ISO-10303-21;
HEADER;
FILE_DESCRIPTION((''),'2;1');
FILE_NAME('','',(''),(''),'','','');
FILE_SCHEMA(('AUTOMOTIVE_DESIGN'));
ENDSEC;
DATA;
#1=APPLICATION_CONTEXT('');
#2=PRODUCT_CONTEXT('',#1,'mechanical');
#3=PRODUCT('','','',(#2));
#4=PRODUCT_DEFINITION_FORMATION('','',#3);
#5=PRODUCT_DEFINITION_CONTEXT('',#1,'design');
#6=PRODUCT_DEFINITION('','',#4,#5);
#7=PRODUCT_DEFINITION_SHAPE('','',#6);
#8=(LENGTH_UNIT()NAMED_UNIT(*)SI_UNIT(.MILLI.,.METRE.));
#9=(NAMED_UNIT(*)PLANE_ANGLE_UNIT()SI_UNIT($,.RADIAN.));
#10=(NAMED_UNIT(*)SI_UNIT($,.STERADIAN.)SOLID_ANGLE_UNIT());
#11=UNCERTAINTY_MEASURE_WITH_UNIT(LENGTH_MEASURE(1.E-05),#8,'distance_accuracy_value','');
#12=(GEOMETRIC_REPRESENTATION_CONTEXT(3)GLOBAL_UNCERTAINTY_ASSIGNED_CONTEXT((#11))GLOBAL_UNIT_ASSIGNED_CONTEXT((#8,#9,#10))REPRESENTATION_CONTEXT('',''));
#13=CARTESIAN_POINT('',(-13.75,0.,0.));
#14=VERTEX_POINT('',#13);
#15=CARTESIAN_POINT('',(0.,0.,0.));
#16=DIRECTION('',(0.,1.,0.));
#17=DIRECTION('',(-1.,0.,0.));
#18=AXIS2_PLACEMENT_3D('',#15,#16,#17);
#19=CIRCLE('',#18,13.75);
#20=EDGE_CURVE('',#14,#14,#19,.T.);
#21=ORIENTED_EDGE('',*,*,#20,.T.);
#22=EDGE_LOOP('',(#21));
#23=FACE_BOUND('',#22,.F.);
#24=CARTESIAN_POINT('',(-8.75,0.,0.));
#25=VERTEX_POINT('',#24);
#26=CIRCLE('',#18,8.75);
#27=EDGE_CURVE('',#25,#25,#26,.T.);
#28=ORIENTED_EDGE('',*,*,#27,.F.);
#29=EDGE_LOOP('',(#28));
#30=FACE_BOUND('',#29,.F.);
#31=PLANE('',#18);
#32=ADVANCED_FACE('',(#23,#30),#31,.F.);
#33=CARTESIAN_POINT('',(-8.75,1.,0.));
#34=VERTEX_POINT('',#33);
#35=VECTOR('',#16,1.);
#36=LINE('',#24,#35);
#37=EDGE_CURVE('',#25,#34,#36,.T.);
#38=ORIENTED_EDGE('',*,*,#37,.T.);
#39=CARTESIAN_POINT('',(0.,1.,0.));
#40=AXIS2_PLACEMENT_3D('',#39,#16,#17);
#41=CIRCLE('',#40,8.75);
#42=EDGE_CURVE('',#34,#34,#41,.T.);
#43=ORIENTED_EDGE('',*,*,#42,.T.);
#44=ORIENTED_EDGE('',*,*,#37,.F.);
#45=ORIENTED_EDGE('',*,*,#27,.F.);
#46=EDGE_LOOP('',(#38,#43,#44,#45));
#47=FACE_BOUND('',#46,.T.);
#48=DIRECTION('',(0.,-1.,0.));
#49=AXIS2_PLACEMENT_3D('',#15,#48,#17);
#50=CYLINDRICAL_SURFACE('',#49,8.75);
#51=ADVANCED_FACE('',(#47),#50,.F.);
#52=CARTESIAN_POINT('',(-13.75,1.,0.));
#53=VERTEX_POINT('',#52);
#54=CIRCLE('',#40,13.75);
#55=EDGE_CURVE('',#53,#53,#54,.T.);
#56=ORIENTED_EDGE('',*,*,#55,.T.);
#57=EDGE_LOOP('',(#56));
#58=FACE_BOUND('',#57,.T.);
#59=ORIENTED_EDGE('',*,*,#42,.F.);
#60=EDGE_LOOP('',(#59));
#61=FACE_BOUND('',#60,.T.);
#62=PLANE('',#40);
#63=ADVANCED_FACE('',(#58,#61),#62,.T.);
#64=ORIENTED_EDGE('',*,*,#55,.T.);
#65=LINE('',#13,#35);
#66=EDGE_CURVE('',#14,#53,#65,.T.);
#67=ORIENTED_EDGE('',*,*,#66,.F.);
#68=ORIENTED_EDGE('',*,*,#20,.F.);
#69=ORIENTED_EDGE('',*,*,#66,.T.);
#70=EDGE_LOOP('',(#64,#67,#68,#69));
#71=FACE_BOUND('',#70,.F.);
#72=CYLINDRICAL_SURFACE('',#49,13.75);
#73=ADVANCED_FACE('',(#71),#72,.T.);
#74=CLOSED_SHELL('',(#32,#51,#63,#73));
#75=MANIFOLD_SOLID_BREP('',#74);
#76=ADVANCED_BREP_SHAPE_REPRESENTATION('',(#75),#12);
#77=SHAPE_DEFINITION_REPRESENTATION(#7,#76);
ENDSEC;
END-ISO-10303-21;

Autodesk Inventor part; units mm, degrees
ref_plane "YZ Plane" through (0, 0, 0) normal (1, 0, 0) x (0, 1, 0)
ref_plane "XZ Plane" through (0, 0, 0) normal (0, 1, 0) x (-1, 0, 0)
ref_plane "XY Plane" through (0, 0, 0) normal (0, 0, 1) x (1, 0, 0)
sketch "Sketch1" plane through (0, 0, 0) normal (0, 1, 0) x (-1, 0, 0)
  circle A0 centre (0, 0) radius 8.75
  circle A1 centre (0, 0) radius 13.75
  dimension "d0" = 17.5
  dimension "d1" = 5
extrude "Extrusion1" add sketch "Sketch1" along normal blind 1
properties part number "wheel spacer" material "ABS Plastic"
